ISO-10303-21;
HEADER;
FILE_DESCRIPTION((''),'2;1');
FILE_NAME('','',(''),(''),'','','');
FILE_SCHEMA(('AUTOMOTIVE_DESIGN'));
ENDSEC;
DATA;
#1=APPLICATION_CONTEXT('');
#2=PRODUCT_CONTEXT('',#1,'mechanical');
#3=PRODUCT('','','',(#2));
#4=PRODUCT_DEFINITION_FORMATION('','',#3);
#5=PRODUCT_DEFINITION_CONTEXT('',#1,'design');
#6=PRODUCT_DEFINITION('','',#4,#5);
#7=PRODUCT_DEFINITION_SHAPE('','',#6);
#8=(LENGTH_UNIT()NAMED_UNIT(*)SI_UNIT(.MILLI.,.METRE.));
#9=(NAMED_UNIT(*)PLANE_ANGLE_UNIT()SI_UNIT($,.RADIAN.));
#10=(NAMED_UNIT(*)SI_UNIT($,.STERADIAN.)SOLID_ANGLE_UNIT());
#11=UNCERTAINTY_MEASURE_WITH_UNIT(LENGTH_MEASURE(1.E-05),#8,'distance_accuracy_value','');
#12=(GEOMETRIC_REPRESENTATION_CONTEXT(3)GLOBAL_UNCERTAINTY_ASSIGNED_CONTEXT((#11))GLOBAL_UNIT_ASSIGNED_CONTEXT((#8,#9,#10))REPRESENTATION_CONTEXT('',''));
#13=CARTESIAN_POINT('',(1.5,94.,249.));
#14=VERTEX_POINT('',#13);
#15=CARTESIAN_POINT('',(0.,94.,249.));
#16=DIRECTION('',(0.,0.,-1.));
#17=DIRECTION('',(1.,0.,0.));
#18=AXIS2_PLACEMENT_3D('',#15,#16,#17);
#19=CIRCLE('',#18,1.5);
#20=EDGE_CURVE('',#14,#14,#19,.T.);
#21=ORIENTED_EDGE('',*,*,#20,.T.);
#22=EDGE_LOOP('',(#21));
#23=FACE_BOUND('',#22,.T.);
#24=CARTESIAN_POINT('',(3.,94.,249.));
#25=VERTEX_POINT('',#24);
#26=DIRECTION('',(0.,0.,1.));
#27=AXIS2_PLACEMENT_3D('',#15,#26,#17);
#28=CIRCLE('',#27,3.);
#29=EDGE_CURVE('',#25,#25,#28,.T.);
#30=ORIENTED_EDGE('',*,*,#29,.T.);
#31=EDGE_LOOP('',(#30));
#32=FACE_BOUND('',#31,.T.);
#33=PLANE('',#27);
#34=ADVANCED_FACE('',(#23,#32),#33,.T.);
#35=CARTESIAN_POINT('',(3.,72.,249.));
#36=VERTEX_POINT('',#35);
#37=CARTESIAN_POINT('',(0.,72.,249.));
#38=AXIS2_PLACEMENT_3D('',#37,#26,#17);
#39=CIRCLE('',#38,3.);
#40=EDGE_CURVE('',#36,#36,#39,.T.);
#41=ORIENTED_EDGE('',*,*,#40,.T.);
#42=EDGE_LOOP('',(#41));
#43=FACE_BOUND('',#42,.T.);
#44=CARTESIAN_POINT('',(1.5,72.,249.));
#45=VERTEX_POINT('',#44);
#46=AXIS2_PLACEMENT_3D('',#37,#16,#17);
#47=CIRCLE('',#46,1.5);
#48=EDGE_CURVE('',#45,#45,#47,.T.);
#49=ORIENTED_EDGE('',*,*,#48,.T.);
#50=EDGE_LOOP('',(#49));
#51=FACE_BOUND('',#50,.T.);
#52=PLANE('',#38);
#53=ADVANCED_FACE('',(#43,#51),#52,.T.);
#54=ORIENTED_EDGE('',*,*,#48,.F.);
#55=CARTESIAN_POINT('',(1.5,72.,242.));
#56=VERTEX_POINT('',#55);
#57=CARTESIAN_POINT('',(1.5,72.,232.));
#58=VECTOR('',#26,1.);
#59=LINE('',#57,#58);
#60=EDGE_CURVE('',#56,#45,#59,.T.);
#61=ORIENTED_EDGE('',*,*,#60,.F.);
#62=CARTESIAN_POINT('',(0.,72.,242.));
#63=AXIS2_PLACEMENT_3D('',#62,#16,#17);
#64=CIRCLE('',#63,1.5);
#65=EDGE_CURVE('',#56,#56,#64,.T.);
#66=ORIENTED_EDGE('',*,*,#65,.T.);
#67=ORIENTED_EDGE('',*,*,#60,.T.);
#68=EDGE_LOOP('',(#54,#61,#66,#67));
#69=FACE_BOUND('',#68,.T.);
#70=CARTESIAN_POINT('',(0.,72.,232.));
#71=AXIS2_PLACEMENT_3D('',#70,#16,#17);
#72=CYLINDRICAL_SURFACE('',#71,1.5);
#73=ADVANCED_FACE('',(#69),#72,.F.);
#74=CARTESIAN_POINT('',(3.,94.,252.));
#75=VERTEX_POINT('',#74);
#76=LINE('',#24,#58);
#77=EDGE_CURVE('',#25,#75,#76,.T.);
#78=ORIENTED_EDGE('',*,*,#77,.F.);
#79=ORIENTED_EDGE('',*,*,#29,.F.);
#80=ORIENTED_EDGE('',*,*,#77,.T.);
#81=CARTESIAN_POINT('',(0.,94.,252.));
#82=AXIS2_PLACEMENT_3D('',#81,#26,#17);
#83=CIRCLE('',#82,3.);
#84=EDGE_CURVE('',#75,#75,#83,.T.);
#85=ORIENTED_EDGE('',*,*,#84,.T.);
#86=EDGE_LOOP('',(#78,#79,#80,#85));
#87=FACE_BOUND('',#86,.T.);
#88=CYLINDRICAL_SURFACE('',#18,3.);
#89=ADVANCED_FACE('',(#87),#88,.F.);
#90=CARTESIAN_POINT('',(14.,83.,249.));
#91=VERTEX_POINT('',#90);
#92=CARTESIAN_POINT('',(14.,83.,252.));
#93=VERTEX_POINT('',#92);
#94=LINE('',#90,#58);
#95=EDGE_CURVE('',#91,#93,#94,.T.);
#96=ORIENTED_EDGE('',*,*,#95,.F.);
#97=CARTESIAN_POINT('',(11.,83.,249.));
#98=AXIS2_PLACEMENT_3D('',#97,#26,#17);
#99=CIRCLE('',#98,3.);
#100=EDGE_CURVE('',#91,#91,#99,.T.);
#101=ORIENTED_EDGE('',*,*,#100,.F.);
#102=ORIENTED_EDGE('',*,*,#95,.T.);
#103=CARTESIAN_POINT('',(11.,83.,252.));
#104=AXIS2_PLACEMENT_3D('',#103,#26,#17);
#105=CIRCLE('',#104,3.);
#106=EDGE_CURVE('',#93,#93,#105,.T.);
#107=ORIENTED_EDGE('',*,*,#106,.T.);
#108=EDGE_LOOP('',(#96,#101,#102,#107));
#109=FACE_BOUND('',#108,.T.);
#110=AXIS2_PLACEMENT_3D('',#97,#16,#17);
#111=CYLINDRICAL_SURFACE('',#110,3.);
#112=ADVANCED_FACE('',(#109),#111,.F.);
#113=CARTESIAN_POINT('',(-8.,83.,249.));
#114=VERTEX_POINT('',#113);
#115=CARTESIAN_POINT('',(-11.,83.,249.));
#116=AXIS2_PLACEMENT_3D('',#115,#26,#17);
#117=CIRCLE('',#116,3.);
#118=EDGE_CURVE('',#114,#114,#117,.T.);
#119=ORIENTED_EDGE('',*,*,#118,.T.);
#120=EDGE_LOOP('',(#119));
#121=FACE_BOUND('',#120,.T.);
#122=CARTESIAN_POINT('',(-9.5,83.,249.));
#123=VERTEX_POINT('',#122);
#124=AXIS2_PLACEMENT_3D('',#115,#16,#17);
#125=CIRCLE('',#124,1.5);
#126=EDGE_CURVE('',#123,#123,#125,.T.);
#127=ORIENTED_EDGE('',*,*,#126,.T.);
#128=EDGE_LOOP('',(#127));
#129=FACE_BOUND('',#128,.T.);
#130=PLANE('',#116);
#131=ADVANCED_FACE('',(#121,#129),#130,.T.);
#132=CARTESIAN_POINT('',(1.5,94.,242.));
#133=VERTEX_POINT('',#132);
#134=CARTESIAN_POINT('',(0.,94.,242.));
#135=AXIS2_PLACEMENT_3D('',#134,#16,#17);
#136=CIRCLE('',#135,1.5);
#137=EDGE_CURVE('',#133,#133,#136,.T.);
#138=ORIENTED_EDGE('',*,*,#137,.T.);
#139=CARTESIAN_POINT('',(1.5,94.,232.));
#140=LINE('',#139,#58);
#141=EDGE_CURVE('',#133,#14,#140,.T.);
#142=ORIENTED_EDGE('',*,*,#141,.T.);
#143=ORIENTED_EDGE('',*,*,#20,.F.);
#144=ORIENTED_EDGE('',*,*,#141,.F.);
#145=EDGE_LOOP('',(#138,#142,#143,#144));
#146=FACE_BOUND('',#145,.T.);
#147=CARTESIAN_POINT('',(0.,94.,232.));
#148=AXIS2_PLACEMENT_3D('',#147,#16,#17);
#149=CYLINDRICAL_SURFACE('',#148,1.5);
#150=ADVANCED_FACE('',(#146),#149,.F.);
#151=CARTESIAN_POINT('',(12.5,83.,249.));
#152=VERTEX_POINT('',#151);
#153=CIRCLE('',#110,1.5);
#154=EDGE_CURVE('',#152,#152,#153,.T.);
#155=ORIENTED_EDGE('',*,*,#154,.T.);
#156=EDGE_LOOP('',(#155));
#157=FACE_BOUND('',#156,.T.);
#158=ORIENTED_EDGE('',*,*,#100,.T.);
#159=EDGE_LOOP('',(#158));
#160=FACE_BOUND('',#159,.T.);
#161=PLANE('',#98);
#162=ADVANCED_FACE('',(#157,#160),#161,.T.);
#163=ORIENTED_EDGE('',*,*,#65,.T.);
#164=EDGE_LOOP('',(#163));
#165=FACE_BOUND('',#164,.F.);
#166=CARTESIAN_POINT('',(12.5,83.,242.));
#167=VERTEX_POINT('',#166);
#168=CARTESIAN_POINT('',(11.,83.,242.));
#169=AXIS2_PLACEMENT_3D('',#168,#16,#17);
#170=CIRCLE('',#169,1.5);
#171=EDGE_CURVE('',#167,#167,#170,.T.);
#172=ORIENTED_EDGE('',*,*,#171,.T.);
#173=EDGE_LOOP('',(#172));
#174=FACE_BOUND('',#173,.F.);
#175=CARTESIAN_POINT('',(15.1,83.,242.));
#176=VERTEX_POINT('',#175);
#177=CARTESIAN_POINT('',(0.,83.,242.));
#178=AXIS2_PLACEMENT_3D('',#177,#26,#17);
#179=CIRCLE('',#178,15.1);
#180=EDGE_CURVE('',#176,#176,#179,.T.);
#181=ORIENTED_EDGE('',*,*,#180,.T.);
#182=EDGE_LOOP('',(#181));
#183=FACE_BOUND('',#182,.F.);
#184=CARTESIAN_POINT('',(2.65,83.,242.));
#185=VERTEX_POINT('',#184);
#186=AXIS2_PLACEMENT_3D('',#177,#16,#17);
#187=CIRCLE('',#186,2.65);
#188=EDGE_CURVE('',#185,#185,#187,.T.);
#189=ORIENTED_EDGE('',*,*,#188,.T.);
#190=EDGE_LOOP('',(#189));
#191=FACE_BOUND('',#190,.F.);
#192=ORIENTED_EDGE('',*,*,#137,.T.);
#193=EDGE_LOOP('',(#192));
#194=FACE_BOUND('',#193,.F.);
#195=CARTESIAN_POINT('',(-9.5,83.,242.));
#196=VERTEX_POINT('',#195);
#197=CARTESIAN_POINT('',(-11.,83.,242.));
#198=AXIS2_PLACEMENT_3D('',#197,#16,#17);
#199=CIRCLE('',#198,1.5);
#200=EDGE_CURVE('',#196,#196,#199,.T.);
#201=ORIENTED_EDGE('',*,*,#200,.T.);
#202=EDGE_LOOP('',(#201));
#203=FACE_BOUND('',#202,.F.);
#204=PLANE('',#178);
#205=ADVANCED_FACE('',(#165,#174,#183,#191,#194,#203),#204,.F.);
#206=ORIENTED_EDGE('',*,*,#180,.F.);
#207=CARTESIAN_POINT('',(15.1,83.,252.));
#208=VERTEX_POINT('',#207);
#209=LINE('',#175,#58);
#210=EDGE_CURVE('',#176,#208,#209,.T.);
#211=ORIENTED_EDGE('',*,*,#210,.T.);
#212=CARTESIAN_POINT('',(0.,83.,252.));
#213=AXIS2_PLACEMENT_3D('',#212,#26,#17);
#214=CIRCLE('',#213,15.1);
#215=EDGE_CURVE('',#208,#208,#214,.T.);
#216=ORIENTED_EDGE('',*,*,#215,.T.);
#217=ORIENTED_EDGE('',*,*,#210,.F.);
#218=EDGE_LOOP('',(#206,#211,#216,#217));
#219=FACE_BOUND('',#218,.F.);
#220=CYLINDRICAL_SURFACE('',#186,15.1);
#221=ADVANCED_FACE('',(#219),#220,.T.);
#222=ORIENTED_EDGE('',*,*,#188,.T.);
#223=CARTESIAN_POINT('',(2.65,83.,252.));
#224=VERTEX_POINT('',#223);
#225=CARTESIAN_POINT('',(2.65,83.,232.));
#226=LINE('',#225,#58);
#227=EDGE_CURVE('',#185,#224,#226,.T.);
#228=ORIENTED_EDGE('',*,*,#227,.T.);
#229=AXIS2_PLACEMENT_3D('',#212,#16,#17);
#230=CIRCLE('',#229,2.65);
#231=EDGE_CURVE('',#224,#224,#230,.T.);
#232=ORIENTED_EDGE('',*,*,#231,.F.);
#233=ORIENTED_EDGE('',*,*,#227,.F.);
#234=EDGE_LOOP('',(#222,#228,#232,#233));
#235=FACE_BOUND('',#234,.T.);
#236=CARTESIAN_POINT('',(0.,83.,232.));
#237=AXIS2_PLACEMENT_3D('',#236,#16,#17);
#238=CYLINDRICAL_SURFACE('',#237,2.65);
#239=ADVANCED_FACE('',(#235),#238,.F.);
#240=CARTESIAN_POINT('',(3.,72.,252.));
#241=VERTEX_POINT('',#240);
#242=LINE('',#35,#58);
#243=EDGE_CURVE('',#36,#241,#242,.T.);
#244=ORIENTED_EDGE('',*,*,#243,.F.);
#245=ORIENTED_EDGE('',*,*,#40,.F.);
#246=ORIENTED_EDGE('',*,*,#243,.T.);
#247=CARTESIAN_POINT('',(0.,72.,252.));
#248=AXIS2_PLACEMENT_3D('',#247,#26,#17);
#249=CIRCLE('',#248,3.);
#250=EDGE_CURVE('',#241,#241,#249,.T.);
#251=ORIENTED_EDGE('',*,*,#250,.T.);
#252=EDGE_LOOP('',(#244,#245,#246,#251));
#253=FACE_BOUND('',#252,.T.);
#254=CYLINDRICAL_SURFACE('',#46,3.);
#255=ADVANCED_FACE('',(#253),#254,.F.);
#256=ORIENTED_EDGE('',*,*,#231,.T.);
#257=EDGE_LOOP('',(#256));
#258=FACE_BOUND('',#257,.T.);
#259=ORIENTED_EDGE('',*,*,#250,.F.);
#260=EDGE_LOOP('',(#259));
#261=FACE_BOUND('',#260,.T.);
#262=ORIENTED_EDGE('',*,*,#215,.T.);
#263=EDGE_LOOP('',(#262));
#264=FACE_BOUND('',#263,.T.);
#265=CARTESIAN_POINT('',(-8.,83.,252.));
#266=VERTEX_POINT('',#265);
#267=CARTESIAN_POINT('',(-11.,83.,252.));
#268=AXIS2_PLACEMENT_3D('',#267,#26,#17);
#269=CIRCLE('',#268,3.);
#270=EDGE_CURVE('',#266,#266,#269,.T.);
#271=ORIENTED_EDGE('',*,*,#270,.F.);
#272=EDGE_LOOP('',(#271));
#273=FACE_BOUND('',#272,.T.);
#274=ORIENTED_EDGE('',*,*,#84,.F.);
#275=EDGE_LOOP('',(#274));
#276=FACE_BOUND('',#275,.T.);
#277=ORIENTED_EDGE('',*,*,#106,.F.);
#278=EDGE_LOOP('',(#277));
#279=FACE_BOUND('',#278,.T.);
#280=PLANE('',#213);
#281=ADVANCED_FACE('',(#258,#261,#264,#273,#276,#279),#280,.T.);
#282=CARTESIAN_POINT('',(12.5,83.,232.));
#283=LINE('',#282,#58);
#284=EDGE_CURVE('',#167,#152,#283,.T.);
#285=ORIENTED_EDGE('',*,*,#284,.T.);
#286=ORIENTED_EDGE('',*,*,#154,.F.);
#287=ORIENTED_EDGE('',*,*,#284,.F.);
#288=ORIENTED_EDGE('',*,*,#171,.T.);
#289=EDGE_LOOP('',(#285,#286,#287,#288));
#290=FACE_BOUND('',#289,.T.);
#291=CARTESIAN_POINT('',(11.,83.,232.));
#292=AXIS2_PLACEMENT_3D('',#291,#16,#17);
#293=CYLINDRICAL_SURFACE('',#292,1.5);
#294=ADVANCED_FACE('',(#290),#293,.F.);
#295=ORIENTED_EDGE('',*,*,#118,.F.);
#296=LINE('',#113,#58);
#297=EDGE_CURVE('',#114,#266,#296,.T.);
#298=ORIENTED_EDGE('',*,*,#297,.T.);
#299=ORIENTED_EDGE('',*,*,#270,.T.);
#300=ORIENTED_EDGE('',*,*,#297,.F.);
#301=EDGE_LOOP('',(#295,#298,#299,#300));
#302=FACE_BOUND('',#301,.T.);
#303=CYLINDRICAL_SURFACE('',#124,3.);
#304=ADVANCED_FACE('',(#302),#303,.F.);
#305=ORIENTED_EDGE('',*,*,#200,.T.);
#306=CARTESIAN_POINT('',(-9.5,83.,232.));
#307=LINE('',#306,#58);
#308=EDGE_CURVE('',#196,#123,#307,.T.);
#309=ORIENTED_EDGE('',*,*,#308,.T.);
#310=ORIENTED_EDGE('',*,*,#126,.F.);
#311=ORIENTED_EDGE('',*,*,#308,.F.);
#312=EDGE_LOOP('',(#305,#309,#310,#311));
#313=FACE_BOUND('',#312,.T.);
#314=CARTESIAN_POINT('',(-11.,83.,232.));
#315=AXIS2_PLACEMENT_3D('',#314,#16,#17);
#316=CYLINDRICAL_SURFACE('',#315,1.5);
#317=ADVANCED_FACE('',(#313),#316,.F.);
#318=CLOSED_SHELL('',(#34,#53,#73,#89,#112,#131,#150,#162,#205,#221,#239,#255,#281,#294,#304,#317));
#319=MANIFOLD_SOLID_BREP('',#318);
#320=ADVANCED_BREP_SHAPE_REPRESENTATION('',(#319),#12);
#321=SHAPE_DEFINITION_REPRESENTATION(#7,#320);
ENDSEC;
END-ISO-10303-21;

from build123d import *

# Parameters (mm, degrees)
CYLINDER672_R     = 2.65
CYLINDER672_DEPTH = 30
CYLINDER664_R     = 3
CYLINDER664_DEPTH = 3
CYLINDER661_R     = 3
CYLINDER661_DEPTH = 3
CYLINDER668_R     = 3
CYLINDER668_DEPTH = 3
CYLINDER666_R     = 3
CYLINDER666_DEPTH = 3
CYLINDER673_R     = 1.5
CYLINDER673_DEPTH = 30
CYLINDER658_R     = 1.5
CYLINDER658_DEPTH = 30
CYLINDER671_R     = 1.5
CYLINDER671_DEPTH = 30
CYLINDER667_R     = 1.5
CYLINDER667_DEPTH = 30
CYLINDER665_R     = 15.1
CYLINDER665_DEPTH = 10


with BuildPart() as v_lec672:
    # Cylinder672 → Cylinder672 (new body)
    with BuildSketch(Plane(origin=(0, 83, 232), x_dir=(1, 0, 0), z_dir=(0, 0, 1))):
        Circle(CYLINDER672_R)
    extrude(amount=CYLINDER672_DEPTH)


with BuildPart() as v_lec664:
    # Cylinder664 → Cylinder664 (new body)
    with BuildSketch(Plane(origin=(11, 83, 232), x_dir=(1, 0, 0), z_dir=(0, 0, 1))):
        Circle(CYLINDER664_R)
    extrude(amount=CYLINDER664_DEPTH)


with BuildPart() as v_lec661:
    # Cylinder661 → Cylinder661 (new body)
    with BuildSketch(Plane(origin=(0, 72, 232), x_dir=(1, 0, 0), z_dir=(0, 0, 1))):
        Circle(CYLINDER661_R)
    extrude(amount=CYLINDER661_DEPTH)


with BuildPart() as v_lec668:
    # Cylinder668 → Cylinder668 (new body)
    with BuildSketch(Plane(origin=(0, 94, 232), x_dir=(1, 0, 0), z_dir=(0, 0, 1))):
        Circle(CYLINDER668_R)
    extrude(amount=CYLINDER668_DEPTH)


with BuildPart() as compound362:
    # Cylinder666 → Cylinder666 (new body)
    with BuildSketch(Plane(origin=(-11, 83, 232), x_dir=(1, 0, 0), z_dir=(0, 0, 1))):
        Circle(CYLINDER666_R)
    extrude(amount=CYLINDER666_DEPTH)

    # Compound362: union Válec664, Válec661, Válec668
    add(v_lec664.part)
    add(v_lec661.part)
    add(v_lec668.part)


with BuildPart() as compound362_1:
    # Compound362 placement: moved
    add(compound362.part.moved(Location((0, 0, 17))))


with BuildPart() as v_lec673:
    # Cylinder673 → Cylinder673 (new body)
    with BuildSketch(Plane(origin=(11, 83, 232), x_dir=(1, 0, 0), z_dir=(0, 0, 1))):
        Circle(CYLINDER673_R)
    extrude(amount=CYLINDER673_DEPTH)


with BuildPart() as v_lec658:
    # Cylinder658 → Cylinder658 (new body)
    with BuildSketch(Plane(origin=(0, 72, 232), x_dir=(1, 0, 0), z_dir=(0, 0, 1))):
        Circle(CYLINDER658_R)
    extrude(amount=CYLINDER658_DEPTH)


with BuildPart() as v_lec671:
    # Cylinder671 → Cylinder671 (new body)
    with BuildSketch(Plane(origin=(0, 94, 232), x_dir=(1, 0, 0), z_dir=(0, 0, 1))):
        Circle(CYLINDER671_R)
    extrude(amount=CYLINDER671_DEPTH)


with BuildPart() as compound361:
    # Cylinder667 → Cylinder667 (new body)
    with BuildSketch(Plane(origin=(-11, 83, 232), x_dir=(1, 0, 0), z_dir=(0, 0, 1))):
        Circle(CYLINDER667_R)
    extrude(amount=CYLINDER667_DEPTH)

    # Compound361: union Válec673, Válec658, Válec671
    add(v_lec673.part)
    add(v_lec658.part)
    add(v_lec671.part)


with BuildPart() as cut267:
    # Cylinder665 → Cylinder665 (new body)
    with BuildSketch(Plane(origin=(0, 83, 242), x_dir=(1, 0, 0), z_dir=(0, 0, 1))):
        Circle(CYLINDER665_R)
    extrude(amount=CYLINDER665_DEPTH)

    # Cut269: cut Compound361
    add(compound361.part, mode=Mode.SUBTRACT)

    # Cut270: cut Compound362
    add(compound362_1.part, mode=Mode.SUBTRACT)

    # Cut267: cut Válec672
    add(v_lec672.part, mode=Mode.SUBTRACT)


solid = cut267.part
